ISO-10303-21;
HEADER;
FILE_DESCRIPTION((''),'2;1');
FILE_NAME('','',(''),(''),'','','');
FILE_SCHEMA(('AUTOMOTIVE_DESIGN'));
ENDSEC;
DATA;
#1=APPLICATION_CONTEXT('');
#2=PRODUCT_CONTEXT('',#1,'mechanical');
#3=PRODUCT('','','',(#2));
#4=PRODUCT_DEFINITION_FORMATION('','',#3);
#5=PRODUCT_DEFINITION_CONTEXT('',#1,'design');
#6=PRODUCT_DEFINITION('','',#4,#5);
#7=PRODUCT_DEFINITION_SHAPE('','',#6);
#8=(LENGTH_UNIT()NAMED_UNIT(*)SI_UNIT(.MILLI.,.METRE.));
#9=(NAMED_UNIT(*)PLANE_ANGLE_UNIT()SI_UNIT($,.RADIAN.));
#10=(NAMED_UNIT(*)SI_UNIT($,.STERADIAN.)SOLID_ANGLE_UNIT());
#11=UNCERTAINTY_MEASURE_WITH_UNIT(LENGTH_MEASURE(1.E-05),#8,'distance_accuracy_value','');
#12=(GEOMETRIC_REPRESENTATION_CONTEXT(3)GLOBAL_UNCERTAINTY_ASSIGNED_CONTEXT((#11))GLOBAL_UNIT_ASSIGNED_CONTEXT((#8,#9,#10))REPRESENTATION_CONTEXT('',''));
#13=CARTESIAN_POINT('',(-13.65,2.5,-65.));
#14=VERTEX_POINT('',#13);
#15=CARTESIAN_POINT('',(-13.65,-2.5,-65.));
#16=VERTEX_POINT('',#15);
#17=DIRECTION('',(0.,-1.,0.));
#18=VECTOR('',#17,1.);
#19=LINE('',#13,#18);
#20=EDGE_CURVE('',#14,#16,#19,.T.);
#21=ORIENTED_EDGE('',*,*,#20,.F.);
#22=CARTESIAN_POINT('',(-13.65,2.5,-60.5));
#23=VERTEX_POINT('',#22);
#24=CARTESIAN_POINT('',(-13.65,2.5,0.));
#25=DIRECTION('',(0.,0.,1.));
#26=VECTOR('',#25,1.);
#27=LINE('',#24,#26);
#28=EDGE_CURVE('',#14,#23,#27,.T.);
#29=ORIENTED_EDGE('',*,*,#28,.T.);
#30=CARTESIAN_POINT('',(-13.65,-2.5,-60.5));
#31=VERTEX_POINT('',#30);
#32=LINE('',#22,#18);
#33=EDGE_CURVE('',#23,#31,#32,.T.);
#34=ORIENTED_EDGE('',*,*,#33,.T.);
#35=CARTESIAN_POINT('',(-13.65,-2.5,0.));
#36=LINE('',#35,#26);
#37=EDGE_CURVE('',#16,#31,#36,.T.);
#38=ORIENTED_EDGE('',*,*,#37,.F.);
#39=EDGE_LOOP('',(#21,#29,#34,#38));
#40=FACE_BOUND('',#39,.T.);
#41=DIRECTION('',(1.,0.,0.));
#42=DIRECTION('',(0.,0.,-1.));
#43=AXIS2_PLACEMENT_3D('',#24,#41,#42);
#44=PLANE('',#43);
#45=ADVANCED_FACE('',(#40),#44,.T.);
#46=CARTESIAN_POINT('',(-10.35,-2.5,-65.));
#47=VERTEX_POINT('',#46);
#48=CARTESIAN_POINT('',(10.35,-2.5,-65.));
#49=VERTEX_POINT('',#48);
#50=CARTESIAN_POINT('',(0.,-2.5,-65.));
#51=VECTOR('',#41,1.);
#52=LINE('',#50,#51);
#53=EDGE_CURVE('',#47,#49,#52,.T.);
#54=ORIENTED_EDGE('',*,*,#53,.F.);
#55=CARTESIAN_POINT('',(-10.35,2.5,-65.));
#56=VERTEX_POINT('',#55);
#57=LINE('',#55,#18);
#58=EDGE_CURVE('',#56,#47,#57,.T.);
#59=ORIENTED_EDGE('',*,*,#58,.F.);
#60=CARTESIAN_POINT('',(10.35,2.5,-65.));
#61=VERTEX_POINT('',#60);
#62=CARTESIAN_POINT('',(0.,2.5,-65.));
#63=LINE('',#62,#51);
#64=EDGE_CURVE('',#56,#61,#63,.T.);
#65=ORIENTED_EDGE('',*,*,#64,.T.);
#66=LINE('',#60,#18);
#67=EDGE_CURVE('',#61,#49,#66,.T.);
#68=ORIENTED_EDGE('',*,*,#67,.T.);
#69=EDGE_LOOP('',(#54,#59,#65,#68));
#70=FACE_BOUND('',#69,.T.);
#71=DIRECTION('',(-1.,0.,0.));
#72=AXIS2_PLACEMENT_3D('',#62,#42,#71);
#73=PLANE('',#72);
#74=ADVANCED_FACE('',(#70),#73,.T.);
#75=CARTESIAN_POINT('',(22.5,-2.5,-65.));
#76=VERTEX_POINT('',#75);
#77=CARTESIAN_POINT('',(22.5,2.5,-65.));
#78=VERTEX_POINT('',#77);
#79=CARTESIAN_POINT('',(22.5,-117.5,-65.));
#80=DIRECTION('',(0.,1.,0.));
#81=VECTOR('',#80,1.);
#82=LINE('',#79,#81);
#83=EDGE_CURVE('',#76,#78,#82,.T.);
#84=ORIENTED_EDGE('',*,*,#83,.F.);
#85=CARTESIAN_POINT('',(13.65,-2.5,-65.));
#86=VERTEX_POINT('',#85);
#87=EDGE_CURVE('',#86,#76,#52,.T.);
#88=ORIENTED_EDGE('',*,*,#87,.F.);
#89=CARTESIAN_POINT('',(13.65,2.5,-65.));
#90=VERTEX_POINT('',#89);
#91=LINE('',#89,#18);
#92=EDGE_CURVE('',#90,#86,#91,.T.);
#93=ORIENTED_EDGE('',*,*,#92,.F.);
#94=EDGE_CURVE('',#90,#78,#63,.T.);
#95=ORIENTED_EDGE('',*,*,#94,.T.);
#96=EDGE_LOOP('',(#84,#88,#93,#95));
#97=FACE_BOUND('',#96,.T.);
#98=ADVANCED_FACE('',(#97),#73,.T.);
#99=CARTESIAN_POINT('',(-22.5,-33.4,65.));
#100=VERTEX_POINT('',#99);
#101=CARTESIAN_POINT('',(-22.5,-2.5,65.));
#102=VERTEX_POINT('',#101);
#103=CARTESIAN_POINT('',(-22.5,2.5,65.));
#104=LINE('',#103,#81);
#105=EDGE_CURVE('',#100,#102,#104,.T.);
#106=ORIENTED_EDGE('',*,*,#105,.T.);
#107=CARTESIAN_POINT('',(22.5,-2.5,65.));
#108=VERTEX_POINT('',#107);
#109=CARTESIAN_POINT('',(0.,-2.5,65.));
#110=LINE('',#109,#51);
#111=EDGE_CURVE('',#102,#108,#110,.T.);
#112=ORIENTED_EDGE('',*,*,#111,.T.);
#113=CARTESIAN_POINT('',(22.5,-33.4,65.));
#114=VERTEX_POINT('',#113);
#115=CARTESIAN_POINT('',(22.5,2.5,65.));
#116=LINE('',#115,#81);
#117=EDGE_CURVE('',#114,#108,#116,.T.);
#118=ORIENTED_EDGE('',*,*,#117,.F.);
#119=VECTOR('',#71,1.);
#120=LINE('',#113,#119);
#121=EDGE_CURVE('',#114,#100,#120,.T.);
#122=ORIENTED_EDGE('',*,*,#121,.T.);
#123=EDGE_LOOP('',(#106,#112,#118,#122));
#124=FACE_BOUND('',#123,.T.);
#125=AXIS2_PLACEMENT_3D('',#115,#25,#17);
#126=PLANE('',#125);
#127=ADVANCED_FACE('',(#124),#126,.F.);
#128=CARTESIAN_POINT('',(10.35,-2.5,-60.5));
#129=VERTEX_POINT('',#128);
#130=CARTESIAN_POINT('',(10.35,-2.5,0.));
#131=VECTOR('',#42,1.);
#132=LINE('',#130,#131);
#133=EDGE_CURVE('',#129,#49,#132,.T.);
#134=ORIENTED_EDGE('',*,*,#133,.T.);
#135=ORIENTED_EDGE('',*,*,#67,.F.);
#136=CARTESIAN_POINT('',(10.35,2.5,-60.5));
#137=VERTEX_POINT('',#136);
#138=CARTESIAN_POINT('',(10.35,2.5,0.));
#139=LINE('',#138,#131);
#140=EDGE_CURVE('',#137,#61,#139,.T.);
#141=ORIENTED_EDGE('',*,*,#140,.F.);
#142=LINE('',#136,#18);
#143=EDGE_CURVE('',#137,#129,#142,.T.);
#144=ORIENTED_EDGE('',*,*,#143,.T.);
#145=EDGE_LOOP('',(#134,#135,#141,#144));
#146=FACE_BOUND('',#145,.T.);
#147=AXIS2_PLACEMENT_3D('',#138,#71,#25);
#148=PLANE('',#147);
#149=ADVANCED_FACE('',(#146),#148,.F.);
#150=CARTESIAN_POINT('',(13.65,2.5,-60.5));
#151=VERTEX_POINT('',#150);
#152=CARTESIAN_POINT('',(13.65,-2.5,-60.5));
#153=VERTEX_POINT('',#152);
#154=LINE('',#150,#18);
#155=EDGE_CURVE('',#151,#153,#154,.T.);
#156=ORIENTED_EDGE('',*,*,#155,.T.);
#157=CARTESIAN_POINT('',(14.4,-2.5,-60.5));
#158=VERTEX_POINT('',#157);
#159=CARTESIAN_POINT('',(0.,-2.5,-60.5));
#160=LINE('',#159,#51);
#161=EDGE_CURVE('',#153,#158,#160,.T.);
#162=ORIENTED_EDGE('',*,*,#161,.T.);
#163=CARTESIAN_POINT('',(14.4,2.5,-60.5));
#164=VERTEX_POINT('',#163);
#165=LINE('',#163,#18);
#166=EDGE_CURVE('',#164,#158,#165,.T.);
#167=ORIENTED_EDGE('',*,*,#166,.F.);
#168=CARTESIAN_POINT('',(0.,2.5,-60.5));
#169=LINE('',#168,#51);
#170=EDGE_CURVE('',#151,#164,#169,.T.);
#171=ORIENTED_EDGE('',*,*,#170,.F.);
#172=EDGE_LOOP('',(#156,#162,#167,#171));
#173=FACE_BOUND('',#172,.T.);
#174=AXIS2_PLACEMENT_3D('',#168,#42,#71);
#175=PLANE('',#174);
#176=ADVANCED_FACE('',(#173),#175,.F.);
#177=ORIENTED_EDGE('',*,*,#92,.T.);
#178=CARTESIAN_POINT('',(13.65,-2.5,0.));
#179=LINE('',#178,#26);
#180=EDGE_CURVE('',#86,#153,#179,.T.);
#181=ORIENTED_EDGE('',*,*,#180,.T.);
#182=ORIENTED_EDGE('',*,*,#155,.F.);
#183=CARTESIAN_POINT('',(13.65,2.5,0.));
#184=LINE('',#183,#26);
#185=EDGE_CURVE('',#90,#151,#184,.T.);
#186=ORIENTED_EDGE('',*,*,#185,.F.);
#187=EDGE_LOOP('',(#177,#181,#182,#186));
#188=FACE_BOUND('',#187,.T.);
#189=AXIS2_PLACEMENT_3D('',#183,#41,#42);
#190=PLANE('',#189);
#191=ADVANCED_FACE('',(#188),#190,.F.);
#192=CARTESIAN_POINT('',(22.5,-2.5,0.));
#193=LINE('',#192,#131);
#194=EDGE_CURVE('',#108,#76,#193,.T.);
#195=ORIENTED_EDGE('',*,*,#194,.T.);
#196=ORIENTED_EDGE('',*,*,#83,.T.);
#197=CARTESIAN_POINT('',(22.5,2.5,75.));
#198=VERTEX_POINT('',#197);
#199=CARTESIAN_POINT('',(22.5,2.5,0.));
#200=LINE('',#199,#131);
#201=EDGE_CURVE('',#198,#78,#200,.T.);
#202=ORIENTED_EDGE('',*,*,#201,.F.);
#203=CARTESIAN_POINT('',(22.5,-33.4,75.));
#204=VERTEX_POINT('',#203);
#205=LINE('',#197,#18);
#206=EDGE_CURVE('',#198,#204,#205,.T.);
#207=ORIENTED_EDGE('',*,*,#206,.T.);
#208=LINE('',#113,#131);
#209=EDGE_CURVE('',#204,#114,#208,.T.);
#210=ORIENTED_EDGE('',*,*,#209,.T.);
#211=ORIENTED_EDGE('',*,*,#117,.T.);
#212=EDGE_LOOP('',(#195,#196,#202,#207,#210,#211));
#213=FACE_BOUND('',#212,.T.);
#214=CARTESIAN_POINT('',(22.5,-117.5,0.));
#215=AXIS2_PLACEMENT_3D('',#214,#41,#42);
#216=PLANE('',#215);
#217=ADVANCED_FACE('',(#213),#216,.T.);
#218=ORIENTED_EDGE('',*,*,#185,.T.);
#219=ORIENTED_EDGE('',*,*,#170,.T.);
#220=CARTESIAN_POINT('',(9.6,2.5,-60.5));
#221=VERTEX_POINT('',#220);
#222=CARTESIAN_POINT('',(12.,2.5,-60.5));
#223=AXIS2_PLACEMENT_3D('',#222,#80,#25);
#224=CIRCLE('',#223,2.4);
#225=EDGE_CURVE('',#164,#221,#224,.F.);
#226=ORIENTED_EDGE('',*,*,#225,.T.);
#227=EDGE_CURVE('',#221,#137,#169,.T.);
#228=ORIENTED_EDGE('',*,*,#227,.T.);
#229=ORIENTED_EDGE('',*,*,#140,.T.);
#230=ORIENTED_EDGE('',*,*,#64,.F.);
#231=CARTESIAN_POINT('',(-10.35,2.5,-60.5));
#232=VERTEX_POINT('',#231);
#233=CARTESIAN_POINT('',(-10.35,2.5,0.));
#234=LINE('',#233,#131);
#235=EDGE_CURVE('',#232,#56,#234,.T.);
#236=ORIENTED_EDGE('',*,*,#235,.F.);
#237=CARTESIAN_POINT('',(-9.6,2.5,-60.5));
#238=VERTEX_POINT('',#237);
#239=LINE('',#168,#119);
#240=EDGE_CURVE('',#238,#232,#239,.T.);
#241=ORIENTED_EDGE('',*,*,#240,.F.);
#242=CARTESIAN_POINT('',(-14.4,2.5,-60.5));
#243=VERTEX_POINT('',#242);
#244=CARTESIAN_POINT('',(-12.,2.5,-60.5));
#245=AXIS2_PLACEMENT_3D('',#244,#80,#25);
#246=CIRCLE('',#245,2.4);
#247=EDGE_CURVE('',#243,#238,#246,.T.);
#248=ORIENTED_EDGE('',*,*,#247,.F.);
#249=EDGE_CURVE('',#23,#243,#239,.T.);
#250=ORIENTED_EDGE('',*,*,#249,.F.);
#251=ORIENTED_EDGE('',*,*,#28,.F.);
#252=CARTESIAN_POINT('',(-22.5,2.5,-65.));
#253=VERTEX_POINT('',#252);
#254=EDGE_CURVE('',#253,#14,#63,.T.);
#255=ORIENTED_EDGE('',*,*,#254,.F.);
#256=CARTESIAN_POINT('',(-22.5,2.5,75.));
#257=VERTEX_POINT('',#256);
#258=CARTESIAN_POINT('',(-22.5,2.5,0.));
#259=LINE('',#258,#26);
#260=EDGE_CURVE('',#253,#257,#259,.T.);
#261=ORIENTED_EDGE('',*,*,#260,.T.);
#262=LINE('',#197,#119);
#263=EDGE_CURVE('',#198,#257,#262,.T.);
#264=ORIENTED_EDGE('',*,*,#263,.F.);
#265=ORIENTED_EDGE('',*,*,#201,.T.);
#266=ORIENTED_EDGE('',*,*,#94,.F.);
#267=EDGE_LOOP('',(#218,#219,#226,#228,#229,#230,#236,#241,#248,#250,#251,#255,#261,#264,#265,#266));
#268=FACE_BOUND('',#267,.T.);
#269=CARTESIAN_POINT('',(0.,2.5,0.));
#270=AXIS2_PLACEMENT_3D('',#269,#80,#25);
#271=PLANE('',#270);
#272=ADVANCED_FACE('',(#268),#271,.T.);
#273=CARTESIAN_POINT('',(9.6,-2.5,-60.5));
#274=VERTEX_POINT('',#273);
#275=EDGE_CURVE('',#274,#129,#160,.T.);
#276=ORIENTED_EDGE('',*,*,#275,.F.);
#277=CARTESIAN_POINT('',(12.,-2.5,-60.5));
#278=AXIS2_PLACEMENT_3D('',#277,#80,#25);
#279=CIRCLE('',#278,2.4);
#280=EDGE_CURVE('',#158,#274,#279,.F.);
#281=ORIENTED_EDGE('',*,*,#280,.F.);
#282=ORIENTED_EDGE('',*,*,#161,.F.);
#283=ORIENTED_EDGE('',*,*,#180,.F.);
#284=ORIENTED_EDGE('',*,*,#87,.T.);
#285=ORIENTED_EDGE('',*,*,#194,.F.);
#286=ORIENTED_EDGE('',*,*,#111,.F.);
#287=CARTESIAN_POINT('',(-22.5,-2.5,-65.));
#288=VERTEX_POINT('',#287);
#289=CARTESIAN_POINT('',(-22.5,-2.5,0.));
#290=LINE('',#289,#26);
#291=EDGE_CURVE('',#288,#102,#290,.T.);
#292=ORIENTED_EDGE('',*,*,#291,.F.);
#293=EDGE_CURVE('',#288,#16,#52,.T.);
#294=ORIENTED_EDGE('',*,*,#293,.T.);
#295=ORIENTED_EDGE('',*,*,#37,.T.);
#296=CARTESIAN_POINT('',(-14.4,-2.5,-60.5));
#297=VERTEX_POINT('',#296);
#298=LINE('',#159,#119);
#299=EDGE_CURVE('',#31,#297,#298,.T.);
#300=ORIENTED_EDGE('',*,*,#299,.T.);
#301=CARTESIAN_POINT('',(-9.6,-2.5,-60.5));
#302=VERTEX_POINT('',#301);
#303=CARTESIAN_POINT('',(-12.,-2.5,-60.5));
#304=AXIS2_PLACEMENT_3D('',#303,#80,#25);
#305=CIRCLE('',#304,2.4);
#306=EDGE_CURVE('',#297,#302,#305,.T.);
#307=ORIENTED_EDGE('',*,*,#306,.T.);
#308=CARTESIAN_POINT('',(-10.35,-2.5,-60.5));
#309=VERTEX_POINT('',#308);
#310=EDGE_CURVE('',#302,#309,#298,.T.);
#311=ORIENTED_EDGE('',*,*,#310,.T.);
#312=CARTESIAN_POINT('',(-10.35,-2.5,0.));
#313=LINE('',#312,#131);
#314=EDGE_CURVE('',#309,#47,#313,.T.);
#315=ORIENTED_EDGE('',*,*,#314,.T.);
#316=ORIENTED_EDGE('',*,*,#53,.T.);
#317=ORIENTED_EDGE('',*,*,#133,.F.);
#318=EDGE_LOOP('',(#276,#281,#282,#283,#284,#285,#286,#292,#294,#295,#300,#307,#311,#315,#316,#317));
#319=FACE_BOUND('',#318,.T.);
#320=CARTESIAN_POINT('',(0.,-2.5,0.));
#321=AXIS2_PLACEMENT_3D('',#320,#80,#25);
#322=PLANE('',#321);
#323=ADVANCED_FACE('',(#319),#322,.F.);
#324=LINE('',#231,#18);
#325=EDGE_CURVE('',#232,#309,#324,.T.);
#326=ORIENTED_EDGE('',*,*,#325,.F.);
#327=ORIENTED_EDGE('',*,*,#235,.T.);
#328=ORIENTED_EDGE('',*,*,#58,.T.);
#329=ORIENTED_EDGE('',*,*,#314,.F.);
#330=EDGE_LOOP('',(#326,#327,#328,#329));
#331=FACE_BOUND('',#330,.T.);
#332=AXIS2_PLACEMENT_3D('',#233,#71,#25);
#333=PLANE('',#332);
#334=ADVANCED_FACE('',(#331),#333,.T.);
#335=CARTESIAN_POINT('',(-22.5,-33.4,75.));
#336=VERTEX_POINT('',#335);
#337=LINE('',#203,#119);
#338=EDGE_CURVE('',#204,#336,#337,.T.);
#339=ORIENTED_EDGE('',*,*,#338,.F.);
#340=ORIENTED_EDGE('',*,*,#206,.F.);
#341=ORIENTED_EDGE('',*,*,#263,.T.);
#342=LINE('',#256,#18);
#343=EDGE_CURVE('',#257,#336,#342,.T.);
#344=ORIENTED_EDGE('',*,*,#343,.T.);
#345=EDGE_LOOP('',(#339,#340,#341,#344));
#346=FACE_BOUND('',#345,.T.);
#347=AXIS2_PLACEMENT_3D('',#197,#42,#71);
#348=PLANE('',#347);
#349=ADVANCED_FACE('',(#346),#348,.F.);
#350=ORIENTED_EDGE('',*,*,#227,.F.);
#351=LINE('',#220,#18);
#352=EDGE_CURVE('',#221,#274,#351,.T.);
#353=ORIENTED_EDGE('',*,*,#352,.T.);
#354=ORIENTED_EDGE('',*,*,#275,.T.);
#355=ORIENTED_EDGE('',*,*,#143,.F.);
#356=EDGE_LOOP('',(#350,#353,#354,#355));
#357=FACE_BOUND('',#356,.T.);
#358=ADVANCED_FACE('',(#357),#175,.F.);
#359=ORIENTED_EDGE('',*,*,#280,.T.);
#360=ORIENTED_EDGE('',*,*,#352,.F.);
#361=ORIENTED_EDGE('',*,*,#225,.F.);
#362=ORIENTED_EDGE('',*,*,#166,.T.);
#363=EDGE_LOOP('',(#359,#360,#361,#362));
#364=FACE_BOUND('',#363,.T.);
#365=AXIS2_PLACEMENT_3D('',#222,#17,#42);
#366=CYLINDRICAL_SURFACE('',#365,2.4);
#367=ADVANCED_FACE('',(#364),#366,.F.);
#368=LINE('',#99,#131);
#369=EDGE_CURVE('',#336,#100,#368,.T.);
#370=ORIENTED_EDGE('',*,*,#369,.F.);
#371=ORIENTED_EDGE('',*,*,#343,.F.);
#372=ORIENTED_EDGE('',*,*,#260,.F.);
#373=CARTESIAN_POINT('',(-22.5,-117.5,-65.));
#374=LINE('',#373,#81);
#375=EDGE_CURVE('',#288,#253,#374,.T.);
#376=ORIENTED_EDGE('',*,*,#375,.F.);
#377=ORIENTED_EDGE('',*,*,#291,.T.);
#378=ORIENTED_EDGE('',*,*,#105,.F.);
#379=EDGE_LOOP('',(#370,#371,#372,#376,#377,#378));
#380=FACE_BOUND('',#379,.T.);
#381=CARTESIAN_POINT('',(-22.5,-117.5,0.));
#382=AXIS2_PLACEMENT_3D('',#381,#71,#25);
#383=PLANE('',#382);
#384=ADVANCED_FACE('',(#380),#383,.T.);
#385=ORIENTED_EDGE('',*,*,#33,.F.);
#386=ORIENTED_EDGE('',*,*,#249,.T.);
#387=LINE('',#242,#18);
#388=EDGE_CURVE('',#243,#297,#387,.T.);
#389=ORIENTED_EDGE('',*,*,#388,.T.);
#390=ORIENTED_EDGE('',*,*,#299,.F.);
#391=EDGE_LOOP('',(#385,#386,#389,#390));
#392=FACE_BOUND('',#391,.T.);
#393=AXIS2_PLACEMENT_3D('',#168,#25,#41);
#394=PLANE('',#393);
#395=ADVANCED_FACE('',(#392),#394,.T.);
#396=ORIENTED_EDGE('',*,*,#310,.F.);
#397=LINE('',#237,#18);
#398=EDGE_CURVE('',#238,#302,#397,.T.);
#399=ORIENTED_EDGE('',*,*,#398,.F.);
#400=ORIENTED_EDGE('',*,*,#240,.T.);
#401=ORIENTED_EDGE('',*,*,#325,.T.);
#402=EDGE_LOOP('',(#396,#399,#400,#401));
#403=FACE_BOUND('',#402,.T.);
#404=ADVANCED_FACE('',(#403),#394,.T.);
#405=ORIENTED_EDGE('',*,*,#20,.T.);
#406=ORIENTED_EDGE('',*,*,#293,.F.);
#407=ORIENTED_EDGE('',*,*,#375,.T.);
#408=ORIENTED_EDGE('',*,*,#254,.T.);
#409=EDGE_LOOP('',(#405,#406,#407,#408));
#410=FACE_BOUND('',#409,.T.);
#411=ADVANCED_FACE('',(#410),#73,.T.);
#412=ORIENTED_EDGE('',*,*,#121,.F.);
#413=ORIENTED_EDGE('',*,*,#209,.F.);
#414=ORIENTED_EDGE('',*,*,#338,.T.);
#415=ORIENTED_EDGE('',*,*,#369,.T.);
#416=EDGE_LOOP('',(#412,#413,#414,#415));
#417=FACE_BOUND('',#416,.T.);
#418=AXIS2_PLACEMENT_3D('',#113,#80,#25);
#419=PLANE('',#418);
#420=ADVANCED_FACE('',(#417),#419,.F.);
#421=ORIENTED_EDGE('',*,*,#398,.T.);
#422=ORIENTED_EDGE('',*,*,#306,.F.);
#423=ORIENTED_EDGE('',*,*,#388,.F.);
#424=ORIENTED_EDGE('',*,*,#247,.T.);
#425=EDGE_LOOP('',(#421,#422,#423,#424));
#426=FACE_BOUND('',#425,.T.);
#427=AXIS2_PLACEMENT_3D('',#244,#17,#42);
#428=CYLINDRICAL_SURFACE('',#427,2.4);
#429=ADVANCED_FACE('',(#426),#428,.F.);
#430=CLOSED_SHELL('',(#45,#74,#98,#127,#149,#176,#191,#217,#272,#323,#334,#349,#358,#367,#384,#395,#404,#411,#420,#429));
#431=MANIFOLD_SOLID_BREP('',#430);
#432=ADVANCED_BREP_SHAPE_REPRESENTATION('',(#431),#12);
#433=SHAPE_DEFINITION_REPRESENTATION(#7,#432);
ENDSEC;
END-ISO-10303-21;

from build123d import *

# Parameters (mm, degrees)
BOSS_EXTRUDE1_DEPTH = 2.5
SKETCH4_W           = 54.285
SKETCH4_H           = 130
CUT_EXTRUDE1_DEPTH  = 120
SKETCH5_W           = 10
SKETCH5_H           = 35.9
BOSS_EXTRUDE2_DEPTH = 22.5


with BuildPart() as part:
    # Sketch2 → Boss-Extrude1 (new, symmetric)
    with BuildSketch(Plane(origin=(0, 0, 0), x_dir=(1, 0, 0), z_dir=(0, 1, 0))):
        with BuildLine():
            Line((-13.65, 65), (-76.785, 65))
            Line((-76.785, 65), (-76.785, -65))
            Line((-76.785, -65), (76.785, -65))
            Line((76.785, -65), (76.785, 65))
            Line((76.785, 65), (13.65, 65))
            Line((13.65, 65), (13.65, 60.5))
            Line((13.65, 60.5), (14.4, 60.5))
            ThreePointArc((14.4, 60.5), (12, 58.1), (9.6, 60.5))
            Line((9.6, 60.5), (10.35, 60.5))
            Line((10.35, 60.5), (10.35, 65))
            Line((10.35, 65), (-10.35, 65))
            Line((-10.35, 65), (-10.35, 60.5))
            Line((-10.35, 60.5), (-9.6, 60.5))
            ThreePointArc((-9.6, 60.5), (-12, 58.1), (-14.4, 60.5))
            Line((-14.4, 60.5), (-13.65, 60.5))
            Line((-13.65, 60.5), (-13.65, 65))
        make_face()
    extrude(amount=BOSS_EXTRUDE1_DEPTH, both=True)

    # Sketch4 → Cut-Extrude1 (cut)
    with BuildSketch(Plane(origin=(0, 2.5, 0), x_dir=(1, 0, 0), z_dir=(0, 1, 0))):
        with Locations((-49.6425, 0)):
            Rectangle(SKETCH4_W, SKETCH4_H)
        with Locations((49.6425, 0)):
            Rectangle(SKETCH4_W, SKETCH4_H)
    extrude(amount=-CUT_EXTRUDE1_DEPTH, mode=Mode.SUBTRACT)

    # Sketch5 → Boss-Extrude2 (add, symmetric)
    with BuildSketch(Plane(origin=(0, 0, 0), x_dir=(0, 0, -1), z_dir=(1, 0, 0))):
        with Locations((-70, -15.45)):
            Rectangle(SKETCH5_W, SKETCH5_H)
    extrude(amount=BOSS_EXTRUDE2_DEPTH, both=True)


solid = part.part
